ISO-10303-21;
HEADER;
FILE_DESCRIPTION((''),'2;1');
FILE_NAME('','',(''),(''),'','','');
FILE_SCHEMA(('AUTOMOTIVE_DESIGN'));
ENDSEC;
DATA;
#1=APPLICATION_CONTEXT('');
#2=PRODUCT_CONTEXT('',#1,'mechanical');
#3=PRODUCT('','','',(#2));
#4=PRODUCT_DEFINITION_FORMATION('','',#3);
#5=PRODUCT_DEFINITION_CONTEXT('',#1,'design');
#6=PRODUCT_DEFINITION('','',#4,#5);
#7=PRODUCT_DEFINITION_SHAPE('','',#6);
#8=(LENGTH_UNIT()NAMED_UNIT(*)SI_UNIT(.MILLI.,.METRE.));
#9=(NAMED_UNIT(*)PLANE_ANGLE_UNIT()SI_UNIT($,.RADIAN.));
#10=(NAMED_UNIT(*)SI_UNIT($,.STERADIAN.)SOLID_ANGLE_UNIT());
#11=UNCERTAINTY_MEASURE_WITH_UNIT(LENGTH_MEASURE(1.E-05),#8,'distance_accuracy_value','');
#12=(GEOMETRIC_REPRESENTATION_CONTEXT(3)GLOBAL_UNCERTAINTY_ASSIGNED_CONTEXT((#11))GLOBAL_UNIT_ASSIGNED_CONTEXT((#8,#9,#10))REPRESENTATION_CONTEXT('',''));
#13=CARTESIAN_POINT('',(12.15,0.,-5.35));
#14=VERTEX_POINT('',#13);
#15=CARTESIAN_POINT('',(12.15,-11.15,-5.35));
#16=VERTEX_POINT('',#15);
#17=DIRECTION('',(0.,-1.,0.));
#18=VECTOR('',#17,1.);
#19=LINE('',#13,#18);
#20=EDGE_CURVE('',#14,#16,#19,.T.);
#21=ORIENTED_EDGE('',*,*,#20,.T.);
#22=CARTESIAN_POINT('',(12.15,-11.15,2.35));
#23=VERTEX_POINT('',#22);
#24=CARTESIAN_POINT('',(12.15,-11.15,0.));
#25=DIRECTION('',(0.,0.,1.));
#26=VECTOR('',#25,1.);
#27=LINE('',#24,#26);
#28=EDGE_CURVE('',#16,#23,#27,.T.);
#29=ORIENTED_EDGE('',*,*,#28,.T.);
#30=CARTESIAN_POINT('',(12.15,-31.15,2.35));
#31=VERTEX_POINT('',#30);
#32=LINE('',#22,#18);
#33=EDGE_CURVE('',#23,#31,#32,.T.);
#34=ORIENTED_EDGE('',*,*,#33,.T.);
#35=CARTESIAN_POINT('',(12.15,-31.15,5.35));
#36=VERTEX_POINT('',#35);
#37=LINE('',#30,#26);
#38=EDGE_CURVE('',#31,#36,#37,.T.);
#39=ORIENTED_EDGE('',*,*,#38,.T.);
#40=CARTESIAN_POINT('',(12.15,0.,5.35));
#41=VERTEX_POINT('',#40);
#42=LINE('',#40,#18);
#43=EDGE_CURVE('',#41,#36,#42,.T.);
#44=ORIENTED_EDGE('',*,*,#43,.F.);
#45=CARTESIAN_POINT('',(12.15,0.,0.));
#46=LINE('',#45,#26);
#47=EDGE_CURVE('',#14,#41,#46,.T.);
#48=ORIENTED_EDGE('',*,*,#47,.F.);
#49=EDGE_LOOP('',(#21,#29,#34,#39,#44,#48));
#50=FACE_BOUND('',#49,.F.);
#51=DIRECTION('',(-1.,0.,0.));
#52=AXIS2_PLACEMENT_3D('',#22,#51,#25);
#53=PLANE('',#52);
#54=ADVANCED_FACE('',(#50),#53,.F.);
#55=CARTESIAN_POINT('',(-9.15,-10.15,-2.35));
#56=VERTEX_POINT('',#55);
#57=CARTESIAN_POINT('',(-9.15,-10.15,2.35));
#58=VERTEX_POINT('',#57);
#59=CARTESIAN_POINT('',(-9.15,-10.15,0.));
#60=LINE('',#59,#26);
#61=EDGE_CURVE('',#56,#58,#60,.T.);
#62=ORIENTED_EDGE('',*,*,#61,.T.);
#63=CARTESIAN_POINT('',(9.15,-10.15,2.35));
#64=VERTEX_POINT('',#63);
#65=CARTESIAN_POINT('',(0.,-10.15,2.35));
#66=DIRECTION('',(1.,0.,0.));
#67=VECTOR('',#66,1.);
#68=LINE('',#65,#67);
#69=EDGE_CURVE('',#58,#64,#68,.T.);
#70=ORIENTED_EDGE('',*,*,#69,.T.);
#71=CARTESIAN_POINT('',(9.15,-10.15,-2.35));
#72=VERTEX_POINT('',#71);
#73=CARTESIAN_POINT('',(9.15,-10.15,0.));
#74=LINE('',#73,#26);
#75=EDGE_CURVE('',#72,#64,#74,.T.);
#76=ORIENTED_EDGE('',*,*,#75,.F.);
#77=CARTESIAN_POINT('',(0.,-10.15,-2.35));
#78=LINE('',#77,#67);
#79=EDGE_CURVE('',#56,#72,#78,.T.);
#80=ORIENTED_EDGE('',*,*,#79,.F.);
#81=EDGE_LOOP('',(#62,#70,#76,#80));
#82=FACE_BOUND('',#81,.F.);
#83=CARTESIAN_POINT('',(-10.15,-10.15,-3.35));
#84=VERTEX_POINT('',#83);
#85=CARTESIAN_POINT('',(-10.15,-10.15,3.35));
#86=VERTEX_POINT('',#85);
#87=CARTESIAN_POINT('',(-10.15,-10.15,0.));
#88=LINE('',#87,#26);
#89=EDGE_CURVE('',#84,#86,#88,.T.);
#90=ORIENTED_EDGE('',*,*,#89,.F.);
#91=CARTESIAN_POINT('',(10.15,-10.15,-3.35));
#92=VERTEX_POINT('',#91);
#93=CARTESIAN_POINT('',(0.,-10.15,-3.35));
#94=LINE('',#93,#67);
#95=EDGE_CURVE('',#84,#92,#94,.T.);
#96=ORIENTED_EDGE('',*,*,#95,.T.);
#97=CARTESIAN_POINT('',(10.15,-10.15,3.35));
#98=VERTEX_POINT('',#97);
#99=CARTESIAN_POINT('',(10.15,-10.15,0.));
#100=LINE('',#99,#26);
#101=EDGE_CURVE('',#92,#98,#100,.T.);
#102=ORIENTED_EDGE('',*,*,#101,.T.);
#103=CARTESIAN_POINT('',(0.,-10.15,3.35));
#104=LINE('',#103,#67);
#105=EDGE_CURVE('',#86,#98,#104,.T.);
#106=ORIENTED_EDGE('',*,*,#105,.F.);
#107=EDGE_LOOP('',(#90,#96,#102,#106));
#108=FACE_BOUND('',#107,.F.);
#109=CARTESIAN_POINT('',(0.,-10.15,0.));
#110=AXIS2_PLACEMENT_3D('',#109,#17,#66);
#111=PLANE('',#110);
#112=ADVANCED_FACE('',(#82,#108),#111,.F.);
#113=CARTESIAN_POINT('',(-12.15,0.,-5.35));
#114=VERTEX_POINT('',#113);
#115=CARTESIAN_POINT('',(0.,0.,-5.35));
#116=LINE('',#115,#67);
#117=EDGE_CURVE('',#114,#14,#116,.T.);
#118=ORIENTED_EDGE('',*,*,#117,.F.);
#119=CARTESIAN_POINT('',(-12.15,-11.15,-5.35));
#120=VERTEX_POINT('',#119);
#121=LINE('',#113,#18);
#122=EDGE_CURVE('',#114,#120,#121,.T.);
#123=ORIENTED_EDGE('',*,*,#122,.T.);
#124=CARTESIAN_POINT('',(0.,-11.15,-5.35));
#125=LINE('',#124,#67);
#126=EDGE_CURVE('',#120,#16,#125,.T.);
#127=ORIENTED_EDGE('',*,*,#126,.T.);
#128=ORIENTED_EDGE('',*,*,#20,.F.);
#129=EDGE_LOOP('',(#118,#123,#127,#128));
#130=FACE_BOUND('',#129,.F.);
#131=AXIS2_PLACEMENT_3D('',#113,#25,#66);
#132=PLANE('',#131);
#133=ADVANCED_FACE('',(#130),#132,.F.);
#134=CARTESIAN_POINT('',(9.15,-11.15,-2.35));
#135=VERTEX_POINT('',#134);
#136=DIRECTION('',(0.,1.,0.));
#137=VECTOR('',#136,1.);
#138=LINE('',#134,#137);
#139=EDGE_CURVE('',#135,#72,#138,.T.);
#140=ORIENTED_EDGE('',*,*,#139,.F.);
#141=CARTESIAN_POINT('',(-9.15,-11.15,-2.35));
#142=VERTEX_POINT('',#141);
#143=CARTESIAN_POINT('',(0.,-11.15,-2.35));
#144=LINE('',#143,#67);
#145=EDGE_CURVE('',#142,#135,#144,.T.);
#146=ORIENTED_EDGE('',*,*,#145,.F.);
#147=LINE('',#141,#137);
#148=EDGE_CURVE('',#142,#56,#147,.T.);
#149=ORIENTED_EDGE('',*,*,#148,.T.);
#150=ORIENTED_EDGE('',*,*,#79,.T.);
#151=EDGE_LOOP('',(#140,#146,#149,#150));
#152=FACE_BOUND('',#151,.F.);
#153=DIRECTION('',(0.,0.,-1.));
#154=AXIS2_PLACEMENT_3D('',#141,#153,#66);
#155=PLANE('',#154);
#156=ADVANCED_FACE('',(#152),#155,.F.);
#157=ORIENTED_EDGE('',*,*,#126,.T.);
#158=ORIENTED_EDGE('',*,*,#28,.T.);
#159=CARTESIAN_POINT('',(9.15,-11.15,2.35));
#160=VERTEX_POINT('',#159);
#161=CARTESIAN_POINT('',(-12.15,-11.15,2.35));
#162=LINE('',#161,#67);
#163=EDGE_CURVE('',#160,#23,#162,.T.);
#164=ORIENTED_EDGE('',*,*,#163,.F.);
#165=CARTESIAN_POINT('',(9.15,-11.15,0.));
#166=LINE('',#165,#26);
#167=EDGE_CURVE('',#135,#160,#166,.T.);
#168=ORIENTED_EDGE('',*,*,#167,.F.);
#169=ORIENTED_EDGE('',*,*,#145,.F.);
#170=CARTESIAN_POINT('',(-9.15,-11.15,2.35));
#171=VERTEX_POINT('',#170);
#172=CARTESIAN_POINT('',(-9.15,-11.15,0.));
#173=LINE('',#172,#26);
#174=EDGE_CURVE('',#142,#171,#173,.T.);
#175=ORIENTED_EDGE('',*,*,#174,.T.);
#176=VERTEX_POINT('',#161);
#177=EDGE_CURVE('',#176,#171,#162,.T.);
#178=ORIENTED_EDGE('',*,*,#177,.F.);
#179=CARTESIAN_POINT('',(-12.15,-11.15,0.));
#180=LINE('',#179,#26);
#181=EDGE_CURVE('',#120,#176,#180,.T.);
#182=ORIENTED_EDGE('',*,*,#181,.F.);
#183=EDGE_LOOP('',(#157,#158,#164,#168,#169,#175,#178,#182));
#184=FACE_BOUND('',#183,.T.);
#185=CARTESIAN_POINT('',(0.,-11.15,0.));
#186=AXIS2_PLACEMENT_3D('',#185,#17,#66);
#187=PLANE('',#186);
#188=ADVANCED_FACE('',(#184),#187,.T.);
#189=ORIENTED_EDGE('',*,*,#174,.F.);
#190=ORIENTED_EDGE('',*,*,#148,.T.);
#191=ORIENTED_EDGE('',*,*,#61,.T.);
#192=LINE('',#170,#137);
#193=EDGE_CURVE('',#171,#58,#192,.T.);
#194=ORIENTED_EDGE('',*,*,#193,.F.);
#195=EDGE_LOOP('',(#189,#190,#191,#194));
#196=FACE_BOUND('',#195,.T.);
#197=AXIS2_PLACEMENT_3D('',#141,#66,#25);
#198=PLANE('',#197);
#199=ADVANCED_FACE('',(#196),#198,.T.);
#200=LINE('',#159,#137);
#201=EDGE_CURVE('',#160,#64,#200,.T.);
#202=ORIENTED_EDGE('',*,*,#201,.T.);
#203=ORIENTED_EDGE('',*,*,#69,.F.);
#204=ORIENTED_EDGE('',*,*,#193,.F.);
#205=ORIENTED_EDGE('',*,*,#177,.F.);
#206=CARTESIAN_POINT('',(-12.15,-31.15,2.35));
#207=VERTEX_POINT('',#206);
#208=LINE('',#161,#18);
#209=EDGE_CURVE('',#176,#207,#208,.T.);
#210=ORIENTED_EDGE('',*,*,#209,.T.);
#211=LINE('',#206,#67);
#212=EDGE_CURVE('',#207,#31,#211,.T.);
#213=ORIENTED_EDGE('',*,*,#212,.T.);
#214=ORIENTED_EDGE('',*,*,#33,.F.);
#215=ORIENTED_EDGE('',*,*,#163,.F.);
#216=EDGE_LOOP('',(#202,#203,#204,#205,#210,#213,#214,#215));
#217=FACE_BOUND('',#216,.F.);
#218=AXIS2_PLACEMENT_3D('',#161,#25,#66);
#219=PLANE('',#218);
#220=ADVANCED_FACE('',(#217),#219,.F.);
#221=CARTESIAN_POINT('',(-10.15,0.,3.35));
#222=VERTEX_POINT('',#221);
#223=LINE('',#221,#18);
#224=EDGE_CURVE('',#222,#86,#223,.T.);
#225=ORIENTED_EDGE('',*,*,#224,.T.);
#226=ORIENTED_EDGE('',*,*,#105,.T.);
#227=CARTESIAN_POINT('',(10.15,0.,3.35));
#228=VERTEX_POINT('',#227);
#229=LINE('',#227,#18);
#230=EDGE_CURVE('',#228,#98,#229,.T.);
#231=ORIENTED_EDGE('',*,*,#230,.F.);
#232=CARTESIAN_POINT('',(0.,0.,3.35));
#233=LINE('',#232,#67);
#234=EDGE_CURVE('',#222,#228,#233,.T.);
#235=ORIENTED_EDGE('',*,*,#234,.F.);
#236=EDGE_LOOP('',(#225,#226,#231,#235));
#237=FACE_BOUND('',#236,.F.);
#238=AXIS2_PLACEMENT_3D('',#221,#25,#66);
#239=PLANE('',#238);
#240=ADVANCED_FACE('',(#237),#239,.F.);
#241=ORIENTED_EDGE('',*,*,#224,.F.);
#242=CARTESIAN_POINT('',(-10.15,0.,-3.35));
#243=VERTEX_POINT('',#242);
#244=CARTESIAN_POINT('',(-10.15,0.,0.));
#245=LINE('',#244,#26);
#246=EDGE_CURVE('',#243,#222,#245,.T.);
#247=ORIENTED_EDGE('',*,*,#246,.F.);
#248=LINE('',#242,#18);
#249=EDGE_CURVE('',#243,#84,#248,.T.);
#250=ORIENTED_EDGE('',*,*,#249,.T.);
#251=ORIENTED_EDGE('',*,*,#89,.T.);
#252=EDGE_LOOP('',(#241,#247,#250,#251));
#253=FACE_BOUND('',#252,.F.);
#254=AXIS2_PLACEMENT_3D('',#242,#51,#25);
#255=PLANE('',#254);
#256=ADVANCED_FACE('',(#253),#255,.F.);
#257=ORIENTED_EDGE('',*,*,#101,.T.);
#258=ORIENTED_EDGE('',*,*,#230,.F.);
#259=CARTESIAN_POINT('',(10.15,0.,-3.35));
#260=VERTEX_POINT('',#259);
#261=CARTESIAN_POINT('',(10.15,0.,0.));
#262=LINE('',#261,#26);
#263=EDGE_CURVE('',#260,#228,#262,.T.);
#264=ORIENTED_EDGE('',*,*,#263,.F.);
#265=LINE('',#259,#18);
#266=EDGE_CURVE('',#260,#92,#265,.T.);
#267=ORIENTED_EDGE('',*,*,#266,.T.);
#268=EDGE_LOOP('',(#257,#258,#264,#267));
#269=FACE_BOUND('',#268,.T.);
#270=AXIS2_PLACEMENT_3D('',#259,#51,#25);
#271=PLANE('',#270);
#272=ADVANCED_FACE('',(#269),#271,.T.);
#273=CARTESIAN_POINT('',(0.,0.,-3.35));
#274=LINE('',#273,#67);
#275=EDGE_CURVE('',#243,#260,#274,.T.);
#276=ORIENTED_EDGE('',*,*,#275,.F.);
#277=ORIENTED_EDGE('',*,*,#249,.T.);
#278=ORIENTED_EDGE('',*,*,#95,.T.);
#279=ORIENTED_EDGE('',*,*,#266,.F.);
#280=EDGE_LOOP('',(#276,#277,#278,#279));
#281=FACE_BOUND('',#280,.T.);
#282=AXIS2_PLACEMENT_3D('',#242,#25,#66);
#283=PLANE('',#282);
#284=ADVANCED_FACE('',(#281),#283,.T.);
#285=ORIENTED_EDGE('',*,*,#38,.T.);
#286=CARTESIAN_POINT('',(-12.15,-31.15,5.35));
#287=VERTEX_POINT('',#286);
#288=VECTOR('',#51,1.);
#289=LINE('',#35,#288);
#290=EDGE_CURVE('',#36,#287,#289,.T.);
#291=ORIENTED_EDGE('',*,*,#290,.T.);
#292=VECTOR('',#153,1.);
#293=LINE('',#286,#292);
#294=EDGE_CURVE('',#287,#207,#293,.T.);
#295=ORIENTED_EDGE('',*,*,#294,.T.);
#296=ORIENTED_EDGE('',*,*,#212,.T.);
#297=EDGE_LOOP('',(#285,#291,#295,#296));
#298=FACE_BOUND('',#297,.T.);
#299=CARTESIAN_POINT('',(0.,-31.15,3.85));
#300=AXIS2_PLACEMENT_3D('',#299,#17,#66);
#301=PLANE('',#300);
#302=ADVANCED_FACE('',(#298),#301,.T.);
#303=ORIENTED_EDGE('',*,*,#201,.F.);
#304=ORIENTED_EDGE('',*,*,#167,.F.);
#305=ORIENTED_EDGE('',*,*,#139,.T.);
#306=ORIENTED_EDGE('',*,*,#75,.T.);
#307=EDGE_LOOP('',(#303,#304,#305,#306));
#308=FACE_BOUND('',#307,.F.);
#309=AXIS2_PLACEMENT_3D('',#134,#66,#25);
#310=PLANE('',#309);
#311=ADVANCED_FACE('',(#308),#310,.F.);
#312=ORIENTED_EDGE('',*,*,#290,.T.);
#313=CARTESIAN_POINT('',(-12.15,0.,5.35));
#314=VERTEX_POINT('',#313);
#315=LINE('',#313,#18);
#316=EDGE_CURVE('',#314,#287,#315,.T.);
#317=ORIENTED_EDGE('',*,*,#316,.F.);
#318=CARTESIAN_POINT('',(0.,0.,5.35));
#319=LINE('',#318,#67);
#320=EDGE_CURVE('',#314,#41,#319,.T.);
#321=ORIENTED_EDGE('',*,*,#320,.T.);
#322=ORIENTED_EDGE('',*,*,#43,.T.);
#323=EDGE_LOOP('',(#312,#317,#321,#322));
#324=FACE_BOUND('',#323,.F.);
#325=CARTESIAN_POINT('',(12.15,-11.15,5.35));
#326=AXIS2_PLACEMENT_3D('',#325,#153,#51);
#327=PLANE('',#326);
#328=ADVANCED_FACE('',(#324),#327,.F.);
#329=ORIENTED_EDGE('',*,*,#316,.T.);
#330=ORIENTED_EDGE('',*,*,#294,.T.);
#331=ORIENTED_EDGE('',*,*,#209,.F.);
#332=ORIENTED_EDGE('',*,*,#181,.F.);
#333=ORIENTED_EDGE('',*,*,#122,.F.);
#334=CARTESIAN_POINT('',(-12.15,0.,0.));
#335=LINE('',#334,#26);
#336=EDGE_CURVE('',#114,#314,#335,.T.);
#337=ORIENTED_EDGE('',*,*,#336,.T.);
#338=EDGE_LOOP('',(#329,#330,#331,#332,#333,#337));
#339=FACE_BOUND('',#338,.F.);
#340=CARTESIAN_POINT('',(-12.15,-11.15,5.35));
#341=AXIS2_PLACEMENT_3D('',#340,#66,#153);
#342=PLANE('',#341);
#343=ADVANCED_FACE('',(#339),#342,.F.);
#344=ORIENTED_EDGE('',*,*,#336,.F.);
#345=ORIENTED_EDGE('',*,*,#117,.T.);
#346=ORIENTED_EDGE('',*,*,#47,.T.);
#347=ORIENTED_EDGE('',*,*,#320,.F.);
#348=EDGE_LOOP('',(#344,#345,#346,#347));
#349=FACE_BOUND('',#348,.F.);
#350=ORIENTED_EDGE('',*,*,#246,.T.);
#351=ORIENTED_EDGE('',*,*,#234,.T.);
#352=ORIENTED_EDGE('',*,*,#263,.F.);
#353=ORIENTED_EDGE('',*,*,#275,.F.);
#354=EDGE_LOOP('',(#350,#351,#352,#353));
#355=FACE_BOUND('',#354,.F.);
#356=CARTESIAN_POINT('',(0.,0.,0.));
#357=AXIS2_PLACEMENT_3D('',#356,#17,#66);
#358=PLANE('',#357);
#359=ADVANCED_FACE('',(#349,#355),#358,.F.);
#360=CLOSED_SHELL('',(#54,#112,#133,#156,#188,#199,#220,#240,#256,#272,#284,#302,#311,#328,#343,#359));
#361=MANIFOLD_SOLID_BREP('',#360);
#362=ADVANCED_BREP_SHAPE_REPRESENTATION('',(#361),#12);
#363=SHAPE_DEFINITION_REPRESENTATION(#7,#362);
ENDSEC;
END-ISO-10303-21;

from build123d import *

# Parameters (mm, degrees)
F0_W     = 24.3
F0_H     = 10.7
F0_W_2   = 20.3
F0_H_2   = 6.7
F1_DEPTH = 11.15
F2_W     = 20.3
F2_H     = 6.7
F2_W_2   = 18.3
F2_H_2   = 4.7
F3_DEPTH = 1
F5_DEPTH = 20


with BuildPart() as f1:
    # F0 (on Front) → F1 (new body)
    with BuildSketch(Plane.XZ):
        Rectangle(F0_W, F0_H)
        Rectangle(F0_W_2, F0_H_2, mode=Mode.SUBTRACT)
    extrude(amount=F1_DEPTH)

    # F2 (on face) → F3 (join)
    with BuildSketch(Plane.XZ.offset(11.15)):
        Rectangle(F2_W, F2_H)
        Rectangle(F2_W_2, F2_H_2, mode=Mode.SUBTRACT)
    extrude(amount=-F3_DEPTH)

    # F4 (on face) → F5 (join)
    with BuildSketch(Plane.XZ.offset(11.15)):
        Polygon((12.15, 2.35), (12.15, 5.35), (-12.15, 5.35), (-12.15, 2.35), (-9.15, 2.35), (9.15, 2.35), align=None)
    extrude(amount=F5_DEPTH)


solid = f1.part
